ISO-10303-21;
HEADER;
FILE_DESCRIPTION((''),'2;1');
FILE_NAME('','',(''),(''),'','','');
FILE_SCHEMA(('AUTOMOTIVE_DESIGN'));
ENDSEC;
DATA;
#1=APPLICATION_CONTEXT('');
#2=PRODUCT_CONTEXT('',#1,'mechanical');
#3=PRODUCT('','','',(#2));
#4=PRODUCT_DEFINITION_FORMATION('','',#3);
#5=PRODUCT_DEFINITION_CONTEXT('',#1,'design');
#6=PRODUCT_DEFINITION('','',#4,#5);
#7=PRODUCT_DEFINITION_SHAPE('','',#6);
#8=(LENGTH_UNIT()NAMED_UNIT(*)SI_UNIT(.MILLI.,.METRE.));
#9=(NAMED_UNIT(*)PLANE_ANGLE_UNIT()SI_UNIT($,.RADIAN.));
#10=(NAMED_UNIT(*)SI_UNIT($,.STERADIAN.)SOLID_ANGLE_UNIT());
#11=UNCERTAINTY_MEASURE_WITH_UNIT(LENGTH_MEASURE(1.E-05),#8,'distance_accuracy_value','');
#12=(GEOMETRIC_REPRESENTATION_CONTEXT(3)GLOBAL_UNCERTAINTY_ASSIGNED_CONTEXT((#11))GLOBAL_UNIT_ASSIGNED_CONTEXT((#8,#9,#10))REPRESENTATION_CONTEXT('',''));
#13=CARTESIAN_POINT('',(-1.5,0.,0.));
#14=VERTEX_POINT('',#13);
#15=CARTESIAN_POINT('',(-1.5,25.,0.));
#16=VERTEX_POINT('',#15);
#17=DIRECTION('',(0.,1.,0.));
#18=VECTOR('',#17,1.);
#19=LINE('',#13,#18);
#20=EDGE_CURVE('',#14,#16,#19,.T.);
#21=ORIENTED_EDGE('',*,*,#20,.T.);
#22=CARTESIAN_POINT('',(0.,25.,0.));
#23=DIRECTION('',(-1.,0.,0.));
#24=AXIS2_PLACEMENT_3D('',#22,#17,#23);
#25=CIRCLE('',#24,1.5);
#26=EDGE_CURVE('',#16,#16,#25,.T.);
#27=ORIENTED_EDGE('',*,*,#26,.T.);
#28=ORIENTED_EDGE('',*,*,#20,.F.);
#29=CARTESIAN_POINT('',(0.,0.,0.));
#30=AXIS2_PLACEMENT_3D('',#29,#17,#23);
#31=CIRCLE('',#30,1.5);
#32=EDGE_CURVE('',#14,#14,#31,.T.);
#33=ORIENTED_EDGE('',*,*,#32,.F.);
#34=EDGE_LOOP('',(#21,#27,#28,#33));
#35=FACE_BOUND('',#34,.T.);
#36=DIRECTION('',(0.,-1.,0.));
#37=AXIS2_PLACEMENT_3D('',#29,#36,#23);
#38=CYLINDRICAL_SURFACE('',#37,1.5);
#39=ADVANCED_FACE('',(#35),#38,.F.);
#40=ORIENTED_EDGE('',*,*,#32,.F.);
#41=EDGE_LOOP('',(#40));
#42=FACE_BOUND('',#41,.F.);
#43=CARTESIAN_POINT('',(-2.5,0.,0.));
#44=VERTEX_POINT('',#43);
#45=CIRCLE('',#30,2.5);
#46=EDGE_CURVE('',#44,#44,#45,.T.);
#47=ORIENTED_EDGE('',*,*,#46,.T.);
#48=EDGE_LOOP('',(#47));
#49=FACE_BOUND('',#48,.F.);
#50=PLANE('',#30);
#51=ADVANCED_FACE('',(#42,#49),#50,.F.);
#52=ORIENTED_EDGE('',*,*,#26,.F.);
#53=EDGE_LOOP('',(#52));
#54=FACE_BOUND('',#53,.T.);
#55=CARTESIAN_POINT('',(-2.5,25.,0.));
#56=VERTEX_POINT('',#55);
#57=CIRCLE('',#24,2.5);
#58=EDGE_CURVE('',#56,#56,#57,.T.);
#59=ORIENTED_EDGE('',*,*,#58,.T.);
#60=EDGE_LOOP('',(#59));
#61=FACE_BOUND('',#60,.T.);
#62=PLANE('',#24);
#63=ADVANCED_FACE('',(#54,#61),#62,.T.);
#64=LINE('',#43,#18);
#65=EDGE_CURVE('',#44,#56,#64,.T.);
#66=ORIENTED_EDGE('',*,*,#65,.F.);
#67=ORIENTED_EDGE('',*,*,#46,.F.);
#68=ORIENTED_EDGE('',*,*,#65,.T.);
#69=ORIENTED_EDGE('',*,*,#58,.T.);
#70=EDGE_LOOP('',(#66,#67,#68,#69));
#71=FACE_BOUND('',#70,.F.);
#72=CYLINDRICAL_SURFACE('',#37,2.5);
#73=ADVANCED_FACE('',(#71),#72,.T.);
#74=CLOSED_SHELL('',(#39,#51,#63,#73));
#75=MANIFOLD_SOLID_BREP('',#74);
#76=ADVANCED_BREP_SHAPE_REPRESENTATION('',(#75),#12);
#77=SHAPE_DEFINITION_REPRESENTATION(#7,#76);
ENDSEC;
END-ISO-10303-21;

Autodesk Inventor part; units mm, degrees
ref_plane "YZ Plane" through (0, 0, 0) normal (1, 0, 0) x (0, 1, 0)
ref_plane "XZ Plane" through (0, 0, 0) normal (0, 1, 0) x (-1, 0, 0)
ref_plane "XY Plane" through (0, 0, 0) normal (0, 0, 1) x (1, 0, 0)
sketch "Sketch1" plane through (0, 0, 0) normal (0, 1, 0) x (-1, 0, 0)
  circle A0 centre (0, 0) radius 1.5
  circle A1 centre (0, 0) radius 2.5
  dimension "d0" = 3
  dimension "d1" = 5
extrude "Extrusion1" add sketch "Sketch1" along normal blind 25
properties part number "spacer"
